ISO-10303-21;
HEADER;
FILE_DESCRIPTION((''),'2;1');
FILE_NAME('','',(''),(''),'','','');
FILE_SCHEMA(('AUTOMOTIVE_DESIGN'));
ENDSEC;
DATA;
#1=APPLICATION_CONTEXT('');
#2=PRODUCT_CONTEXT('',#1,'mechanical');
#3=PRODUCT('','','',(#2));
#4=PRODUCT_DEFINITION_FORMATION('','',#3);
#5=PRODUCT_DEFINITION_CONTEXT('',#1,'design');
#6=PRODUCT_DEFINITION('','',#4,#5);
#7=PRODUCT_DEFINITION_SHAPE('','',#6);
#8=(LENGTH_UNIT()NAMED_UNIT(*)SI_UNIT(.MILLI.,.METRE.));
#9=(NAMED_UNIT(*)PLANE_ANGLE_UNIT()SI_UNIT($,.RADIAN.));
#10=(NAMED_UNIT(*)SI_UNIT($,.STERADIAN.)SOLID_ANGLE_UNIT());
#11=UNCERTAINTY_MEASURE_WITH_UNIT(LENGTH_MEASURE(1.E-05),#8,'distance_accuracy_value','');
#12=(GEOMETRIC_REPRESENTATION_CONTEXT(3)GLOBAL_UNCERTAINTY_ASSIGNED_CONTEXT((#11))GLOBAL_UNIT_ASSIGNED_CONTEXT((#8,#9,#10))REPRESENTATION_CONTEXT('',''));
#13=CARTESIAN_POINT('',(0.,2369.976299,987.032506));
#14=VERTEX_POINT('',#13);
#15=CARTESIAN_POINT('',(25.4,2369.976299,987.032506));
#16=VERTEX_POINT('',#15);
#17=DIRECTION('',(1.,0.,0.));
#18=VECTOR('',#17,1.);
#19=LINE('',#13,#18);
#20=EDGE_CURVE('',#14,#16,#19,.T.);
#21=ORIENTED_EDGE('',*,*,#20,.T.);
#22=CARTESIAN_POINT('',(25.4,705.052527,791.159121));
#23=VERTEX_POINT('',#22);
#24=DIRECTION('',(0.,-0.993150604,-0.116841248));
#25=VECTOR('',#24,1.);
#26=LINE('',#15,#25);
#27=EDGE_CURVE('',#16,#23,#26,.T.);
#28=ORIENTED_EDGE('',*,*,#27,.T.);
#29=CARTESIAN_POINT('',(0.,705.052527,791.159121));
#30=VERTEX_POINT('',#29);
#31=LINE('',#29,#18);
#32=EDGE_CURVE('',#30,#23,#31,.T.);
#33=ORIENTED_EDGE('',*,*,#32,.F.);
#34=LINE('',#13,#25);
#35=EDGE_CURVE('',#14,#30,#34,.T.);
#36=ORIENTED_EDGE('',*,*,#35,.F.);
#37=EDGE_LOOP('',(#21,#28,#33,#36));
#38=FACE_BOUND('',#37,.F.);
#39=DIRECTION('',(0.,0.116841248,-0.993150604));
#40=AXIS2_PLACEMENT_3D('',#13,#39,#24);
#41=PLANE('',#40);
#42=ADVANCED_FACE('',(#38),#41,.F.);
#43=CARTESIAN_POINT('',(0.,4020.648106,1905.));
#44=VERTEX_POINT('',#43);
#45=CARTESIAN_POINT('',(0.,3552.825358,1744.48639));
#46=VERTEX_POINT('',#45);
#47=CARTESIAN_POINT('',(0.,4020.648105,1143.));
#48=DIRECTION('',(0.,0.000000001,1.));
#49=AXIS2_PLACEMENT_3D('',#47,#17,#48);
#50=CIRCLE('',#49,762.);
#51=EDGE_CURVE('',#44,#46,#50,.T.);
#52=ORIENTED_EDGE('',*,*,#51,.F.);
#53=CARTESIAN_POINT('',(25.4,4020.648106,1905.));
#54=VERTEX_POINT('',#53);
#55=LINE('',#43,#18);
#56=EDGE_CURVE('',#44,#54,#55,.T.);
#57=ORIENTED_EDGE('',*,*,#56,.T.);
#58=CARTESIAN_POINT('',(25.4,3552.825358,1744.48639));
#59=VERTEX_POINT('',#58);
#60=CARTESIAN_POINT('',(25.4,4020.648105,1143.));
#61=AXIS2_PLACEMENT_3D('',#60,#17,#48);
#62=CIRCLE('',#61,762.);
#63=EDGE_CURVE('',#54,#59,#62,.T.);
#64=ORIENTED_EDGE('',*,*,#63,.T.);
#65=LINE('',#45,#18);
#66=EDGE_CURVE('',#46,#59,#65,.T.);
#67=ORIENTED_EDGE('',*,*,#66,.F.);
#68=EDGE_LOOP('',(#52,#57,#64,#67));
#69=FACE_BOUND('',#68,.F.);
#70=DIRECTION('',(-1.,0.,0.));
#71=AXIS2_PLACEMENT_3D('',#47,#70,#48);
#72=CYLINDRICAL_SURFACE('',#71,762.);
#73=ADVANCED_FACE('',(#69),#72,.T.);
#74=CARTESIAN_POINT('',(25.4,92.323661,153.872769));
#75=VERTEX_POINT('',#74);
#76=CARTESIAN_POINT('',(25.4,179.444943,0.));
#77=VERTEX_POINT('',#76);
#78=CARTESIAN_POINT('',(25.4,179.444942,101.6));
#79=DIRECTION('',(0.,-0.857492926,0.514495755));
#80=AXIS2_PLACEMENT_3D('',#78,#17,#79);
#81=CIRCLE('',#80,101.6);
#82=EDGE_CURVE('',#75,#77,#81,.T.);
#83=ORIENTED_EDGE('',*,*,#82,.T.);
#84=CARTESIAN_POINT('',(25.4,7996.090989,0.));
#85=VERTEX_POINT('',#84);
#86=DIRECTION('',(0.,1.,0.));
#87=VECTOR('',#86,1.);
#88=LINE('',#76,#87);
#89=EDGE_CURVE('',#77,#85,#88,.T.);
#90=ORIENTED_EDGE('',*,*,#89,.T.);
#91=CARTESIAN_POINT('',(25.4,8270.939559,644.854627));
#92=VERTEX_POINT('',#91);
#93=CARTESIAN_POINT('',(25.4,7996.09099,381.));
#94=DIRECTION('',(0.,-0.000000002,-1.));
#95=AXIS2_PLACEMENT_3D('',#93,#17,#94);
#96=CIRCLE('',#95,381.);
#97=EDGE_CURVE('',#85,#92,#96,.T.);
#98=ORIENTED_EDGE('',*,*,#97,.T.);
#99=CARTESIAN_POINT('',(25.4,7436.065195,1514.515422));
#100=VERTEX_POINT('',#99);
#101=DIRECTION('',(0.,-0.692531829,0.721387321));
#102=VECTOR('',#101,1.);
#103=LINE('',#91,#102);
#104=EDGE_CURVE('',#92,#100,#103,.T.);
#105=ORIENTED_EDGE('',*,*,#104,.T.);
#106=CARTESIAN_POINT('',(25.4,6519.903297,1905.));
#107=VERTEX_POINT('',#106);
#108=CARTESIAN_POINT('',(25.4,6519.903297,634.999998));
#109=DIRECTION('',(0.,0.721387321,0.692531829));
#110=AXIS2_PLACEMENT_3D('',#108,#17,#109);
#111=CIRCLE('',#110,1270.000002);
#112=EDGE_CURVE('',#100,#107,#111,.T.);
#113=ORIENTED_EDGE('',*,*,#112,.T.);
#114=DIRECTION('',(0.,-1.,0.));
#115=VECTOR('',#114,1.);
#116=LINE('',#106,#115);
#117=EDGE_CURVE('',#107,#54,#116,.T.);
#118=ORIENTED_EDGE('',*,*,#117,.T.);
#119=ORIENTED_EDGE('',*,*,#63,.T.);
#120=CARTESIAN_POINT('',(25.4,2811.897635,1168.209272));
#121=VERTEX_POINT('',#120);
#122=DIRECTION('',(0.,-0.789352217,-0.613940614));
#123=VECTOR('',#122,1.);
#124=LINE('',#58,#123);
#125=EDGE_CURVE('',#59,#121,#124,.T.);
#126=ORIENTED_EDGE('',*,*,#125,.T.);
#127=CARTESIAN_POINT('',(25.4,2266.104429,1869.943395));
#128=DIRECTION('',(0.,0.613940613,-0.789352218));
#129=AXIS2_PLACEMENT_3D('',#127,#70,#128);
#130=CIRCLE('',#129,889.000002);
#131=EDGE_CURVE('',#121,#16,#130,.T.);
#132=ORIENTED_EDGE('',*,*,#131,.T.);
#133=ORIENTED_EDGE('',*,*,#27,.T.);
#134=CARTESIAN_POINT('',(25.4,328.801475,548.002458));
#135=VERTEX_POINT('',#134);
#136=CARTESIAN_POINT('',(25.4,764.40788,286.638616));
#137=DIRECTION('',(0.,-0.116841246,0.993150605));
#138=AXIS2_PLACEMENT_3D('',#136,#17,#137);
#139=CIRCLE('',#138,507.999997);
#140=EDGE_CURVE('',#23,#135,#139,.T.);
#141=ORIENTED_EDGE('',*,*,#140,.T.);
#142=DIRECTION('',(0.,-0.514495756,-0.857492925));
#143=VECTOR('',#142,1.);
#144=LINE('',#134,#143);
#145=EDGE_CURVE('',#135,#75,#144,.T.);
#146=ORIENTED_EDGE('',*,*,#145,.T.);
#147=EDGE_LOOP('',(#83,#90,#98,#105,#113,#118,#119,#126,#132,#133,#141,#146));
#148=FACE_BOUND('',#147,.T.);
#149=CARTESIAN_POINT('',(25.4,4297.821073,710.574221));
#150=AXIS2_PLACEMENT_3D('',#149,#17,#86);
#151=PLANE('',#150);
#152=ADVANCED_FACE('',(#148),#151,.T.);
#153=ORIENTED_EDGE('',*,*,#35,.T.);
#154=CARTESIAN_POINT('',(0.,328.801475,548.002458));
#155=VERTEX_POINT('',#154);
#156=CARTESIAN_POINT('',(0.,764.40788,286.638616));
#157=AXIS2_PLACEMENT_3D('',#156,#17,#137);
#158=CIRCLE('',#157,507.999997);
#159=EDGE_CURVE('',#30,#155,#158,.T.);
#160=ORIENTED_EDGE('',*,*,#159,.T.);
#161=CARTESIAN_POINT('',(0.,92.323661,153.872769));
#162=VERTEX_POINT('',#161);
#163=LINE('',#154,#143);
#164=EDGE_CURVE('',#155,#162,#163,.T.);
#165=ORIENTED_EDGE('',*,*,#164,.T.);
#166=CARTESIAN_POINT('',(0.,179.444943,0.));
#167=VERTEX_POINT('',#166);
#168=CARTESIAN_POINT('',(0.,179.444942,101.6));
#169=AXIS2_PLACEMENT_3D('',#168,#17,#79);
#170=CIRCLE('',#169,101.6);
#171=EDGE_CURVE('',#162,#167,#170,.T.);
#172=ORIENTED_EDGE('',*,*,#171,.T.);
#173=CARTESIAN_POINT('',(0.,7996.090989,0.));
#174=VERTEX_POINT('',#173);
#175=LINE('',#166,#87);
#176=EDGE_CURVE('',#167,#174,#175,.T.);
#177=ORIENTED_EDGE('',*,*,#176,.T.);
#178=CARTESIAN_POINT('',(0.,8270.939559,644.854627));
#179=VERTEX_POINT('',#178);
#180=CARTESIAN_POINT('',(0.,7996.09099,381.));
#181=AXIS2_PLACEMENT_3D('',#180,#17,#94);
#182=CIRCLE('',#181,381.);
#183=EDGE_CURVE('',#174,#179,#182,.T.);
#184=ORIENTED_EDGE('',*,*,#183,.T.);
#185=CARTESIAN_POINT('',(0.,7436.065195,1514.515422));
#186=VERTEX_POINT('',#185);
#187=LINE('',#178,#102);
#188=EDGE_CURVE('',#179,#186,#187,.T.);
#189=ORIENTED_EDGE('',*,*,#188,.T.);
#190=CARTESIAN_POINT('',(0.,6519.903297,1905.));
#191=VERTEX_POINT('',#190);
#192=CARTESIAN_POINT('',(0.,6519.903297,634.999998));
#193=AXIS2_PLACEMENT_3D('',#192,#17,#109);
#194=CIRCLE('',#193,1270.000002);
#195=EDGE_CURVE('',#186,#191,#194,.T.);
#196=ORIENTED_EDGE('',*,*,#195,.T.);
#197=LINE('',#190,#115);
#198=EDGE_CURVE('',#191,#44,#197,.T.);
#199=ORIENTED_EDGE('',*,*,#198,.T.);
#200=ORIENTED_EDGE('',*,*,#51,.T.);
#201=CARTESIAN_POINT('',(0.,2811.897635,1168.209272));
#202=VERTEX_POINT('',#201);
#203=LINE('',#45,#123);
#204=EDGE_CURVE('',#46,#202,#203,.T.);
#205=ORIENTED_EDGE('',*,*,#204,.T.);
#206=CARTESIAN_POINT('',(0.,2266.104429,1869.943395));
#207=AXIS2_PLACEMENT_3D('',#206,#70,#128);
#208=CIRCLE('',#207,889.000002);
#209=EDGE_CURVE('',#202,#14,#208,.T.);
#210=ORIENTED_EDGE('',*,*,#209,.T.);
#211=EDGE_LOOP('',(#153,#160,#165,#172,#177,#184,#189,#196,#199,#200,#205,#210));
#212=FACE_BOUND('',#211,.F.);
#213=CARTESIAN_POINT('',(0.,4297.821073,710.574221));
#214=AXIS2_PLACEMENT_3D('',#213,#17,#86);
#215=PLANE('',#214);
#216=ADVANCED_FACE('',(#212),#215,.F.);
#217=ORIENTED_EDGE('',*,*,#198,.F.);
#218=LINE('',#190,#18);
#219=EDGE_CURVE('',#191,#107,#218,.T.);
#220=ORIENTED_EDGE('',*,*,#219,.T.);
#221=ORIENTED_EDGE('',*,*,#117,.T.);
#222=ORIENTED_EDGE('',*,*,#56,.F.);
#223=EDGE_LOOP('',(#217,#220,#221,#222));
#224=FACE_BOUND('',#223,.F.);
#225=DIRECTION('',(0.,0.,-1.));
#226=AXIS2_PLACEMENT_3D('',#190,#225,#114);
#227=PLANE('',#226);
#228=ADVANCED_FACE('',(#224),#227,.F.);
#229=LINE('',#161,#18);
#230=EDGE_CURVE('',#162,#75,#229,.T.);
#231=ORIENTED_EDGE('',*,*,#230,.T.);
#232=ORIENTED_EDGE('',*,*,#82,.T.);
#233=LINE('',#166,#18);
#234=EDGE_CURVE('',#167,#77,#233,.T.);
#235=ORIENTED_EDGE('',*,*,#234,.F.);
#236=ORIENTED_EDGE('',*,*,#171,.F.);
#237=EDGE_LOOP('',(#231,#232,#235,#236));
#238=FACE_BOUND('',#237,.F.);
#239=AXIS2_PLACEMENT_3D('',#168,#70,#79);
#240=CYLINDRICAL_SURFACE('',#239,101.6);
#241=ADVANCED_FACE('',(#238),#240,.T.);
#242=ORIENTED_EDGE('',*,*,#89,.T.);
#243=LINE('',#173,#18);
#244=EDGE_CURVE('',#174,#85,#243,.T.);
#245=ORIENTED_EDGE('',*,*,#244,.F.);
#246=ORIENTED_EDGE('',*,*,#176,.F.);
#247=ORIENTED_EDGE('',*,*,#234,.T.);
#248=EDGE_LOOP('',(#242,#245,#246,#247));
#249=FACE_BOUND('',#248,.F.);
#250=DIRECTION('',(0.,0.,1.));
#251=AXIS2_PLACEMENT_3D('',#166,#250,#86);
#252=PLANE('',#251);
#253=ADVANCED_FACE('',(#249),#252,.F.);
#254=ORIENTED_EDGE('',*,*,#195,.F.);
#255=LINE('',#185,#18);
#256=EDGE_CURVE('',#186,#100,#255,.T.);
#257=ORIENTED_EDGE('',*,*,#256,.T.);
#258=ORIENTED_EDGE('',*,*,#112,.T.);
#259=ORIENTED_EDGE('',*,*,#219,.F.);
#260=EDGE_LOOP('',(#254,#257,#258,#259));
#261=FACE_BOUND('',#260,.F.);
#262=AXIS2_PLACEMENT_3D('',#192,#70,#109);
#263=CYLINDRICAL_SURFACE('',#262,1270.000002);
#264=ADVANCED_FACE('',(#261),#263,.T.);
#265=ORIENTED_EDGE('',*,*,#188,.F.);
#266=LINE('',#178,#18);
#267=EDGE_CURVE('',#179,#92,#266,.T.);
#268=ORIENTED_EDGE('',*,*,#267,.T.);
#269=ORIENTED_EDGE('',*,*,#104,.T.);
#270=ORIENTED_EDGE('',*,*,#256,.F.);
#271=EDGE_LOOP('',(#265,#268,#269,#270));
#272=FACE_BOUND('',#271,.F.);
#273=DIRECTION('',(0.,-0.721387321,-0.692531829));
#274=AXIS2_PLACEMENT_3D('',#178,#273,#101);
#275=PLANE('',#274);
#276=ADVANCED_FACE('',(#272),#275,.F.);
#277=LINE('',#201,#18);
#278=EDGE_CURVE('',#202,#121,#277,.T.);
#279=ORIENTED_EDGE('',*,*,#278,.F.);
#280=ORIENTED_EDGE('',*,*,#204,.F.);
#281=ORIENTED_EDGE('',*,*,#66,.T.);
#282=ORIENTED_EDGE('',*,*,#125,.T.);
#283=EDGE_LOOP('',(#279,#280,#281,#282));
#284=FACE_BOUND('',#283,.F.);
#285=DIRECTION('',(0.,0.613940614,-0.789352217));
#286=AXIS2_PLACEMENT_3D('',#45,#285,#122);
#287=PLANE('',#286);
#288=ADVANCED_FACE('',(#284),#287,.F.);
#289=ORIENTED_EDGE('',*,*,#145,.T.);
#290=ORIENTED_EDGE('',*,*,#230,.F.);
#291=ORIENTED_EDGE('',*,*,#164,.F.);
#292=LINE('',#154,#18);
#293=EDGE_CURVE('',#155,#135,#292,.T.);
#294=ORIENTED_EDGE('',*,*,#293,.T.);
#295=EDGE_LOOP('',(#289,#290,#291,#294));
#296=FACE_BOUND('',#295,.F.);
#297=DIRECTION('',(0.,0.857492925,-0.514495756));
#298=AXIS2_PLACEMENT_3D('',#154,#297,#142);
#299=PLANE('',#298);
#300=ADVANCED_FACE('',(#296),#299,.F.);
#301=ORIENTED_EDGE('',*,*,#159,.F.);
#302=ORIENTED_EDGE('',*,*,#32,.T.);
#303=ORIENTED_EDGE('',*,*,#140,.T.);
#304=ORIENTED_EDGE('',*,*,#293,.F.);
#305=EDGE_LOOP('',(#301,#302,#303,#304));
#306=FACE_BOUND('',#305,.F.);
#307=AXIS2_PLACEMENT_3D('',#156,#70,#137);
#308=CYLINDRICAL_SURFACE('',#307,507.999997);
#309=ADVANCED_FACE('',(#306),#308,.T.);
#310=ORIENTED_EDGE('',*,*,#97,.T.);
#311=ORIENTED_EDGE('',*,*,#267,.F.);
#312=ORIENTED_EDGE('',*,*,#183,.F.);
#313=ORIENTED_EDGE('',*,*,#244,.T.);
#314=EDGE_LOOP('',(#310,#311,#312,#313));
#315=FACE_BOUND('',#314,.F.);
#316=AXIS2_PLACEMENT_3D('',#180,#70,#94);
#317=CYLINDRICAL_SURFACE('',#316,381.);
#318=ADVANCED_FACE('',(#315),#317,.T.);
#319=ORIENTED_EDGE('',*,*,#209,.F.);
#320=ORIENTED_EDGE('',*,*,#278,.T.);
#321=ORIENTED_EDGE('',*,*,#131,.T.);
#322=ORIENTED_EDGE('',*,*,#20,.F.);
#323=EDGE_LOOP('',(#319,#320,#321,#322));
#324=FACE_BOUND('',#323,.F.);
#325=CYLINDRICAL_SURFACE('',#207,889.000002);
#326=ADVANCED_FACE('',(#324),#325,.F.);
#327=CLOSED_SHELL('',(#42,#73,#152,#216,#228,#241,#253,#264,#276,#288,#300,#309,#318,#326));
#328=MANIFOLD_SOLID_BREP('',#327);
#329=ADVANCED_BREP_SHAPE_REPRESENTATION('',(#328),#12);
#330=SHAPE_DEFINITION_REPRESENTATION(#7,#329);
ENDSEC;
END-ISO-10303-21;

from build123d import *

# Parameters (mm, degrees)
F2_DEPTH = 25.4


with BuildPart() as f2:
    # F1 (on Right) → F2 (new body)
    with BuildSketch(Plane.YZ):
        with BuildLine():
            ThreePointArc((92.323661, 153.872769), (91.032632, 51.5418), (179.444943, 0))
            Line((179.444943, 0), (7996.090989, 0))
            ThreePointArc((7996.090989, 0), (8346.583224, 231.613944), (8270.939559, 644.854627))
            Line((8270.939559, 644.854627), (7436.065195, 1514.515422))
            ThreePointArc((7436.065195, 1514.515422), (7017.856816, 1803.307448), (6519.903297, 1905))
            Line((6519.903297, 1905), (4020.648106, 1905))
            ThreePointArc((4020.648106, 1905), (3773.35135, 1863.755378), (3552.825358, 1744.48639))
            Line((3552.825358, 1744.48639), (2811.897635, 1168.209272))
            ThreePointArc((2811.897635, 1168.209272), (2603.331997, 1047.387275), (2369.976299, 987.032506))
            Line((2369.976299, 987.032506), (705.052527, 791.159121))
            ThreePointArc((705.052527, 791.159121), (488.675988, 713.295295), (328.801475, 548.002458))
            Line((328.801475, 548.002458), (92.323661, 153.872769))
        make_face()
    extrude(amount=F2_DEPTH)


solid = f2.part
